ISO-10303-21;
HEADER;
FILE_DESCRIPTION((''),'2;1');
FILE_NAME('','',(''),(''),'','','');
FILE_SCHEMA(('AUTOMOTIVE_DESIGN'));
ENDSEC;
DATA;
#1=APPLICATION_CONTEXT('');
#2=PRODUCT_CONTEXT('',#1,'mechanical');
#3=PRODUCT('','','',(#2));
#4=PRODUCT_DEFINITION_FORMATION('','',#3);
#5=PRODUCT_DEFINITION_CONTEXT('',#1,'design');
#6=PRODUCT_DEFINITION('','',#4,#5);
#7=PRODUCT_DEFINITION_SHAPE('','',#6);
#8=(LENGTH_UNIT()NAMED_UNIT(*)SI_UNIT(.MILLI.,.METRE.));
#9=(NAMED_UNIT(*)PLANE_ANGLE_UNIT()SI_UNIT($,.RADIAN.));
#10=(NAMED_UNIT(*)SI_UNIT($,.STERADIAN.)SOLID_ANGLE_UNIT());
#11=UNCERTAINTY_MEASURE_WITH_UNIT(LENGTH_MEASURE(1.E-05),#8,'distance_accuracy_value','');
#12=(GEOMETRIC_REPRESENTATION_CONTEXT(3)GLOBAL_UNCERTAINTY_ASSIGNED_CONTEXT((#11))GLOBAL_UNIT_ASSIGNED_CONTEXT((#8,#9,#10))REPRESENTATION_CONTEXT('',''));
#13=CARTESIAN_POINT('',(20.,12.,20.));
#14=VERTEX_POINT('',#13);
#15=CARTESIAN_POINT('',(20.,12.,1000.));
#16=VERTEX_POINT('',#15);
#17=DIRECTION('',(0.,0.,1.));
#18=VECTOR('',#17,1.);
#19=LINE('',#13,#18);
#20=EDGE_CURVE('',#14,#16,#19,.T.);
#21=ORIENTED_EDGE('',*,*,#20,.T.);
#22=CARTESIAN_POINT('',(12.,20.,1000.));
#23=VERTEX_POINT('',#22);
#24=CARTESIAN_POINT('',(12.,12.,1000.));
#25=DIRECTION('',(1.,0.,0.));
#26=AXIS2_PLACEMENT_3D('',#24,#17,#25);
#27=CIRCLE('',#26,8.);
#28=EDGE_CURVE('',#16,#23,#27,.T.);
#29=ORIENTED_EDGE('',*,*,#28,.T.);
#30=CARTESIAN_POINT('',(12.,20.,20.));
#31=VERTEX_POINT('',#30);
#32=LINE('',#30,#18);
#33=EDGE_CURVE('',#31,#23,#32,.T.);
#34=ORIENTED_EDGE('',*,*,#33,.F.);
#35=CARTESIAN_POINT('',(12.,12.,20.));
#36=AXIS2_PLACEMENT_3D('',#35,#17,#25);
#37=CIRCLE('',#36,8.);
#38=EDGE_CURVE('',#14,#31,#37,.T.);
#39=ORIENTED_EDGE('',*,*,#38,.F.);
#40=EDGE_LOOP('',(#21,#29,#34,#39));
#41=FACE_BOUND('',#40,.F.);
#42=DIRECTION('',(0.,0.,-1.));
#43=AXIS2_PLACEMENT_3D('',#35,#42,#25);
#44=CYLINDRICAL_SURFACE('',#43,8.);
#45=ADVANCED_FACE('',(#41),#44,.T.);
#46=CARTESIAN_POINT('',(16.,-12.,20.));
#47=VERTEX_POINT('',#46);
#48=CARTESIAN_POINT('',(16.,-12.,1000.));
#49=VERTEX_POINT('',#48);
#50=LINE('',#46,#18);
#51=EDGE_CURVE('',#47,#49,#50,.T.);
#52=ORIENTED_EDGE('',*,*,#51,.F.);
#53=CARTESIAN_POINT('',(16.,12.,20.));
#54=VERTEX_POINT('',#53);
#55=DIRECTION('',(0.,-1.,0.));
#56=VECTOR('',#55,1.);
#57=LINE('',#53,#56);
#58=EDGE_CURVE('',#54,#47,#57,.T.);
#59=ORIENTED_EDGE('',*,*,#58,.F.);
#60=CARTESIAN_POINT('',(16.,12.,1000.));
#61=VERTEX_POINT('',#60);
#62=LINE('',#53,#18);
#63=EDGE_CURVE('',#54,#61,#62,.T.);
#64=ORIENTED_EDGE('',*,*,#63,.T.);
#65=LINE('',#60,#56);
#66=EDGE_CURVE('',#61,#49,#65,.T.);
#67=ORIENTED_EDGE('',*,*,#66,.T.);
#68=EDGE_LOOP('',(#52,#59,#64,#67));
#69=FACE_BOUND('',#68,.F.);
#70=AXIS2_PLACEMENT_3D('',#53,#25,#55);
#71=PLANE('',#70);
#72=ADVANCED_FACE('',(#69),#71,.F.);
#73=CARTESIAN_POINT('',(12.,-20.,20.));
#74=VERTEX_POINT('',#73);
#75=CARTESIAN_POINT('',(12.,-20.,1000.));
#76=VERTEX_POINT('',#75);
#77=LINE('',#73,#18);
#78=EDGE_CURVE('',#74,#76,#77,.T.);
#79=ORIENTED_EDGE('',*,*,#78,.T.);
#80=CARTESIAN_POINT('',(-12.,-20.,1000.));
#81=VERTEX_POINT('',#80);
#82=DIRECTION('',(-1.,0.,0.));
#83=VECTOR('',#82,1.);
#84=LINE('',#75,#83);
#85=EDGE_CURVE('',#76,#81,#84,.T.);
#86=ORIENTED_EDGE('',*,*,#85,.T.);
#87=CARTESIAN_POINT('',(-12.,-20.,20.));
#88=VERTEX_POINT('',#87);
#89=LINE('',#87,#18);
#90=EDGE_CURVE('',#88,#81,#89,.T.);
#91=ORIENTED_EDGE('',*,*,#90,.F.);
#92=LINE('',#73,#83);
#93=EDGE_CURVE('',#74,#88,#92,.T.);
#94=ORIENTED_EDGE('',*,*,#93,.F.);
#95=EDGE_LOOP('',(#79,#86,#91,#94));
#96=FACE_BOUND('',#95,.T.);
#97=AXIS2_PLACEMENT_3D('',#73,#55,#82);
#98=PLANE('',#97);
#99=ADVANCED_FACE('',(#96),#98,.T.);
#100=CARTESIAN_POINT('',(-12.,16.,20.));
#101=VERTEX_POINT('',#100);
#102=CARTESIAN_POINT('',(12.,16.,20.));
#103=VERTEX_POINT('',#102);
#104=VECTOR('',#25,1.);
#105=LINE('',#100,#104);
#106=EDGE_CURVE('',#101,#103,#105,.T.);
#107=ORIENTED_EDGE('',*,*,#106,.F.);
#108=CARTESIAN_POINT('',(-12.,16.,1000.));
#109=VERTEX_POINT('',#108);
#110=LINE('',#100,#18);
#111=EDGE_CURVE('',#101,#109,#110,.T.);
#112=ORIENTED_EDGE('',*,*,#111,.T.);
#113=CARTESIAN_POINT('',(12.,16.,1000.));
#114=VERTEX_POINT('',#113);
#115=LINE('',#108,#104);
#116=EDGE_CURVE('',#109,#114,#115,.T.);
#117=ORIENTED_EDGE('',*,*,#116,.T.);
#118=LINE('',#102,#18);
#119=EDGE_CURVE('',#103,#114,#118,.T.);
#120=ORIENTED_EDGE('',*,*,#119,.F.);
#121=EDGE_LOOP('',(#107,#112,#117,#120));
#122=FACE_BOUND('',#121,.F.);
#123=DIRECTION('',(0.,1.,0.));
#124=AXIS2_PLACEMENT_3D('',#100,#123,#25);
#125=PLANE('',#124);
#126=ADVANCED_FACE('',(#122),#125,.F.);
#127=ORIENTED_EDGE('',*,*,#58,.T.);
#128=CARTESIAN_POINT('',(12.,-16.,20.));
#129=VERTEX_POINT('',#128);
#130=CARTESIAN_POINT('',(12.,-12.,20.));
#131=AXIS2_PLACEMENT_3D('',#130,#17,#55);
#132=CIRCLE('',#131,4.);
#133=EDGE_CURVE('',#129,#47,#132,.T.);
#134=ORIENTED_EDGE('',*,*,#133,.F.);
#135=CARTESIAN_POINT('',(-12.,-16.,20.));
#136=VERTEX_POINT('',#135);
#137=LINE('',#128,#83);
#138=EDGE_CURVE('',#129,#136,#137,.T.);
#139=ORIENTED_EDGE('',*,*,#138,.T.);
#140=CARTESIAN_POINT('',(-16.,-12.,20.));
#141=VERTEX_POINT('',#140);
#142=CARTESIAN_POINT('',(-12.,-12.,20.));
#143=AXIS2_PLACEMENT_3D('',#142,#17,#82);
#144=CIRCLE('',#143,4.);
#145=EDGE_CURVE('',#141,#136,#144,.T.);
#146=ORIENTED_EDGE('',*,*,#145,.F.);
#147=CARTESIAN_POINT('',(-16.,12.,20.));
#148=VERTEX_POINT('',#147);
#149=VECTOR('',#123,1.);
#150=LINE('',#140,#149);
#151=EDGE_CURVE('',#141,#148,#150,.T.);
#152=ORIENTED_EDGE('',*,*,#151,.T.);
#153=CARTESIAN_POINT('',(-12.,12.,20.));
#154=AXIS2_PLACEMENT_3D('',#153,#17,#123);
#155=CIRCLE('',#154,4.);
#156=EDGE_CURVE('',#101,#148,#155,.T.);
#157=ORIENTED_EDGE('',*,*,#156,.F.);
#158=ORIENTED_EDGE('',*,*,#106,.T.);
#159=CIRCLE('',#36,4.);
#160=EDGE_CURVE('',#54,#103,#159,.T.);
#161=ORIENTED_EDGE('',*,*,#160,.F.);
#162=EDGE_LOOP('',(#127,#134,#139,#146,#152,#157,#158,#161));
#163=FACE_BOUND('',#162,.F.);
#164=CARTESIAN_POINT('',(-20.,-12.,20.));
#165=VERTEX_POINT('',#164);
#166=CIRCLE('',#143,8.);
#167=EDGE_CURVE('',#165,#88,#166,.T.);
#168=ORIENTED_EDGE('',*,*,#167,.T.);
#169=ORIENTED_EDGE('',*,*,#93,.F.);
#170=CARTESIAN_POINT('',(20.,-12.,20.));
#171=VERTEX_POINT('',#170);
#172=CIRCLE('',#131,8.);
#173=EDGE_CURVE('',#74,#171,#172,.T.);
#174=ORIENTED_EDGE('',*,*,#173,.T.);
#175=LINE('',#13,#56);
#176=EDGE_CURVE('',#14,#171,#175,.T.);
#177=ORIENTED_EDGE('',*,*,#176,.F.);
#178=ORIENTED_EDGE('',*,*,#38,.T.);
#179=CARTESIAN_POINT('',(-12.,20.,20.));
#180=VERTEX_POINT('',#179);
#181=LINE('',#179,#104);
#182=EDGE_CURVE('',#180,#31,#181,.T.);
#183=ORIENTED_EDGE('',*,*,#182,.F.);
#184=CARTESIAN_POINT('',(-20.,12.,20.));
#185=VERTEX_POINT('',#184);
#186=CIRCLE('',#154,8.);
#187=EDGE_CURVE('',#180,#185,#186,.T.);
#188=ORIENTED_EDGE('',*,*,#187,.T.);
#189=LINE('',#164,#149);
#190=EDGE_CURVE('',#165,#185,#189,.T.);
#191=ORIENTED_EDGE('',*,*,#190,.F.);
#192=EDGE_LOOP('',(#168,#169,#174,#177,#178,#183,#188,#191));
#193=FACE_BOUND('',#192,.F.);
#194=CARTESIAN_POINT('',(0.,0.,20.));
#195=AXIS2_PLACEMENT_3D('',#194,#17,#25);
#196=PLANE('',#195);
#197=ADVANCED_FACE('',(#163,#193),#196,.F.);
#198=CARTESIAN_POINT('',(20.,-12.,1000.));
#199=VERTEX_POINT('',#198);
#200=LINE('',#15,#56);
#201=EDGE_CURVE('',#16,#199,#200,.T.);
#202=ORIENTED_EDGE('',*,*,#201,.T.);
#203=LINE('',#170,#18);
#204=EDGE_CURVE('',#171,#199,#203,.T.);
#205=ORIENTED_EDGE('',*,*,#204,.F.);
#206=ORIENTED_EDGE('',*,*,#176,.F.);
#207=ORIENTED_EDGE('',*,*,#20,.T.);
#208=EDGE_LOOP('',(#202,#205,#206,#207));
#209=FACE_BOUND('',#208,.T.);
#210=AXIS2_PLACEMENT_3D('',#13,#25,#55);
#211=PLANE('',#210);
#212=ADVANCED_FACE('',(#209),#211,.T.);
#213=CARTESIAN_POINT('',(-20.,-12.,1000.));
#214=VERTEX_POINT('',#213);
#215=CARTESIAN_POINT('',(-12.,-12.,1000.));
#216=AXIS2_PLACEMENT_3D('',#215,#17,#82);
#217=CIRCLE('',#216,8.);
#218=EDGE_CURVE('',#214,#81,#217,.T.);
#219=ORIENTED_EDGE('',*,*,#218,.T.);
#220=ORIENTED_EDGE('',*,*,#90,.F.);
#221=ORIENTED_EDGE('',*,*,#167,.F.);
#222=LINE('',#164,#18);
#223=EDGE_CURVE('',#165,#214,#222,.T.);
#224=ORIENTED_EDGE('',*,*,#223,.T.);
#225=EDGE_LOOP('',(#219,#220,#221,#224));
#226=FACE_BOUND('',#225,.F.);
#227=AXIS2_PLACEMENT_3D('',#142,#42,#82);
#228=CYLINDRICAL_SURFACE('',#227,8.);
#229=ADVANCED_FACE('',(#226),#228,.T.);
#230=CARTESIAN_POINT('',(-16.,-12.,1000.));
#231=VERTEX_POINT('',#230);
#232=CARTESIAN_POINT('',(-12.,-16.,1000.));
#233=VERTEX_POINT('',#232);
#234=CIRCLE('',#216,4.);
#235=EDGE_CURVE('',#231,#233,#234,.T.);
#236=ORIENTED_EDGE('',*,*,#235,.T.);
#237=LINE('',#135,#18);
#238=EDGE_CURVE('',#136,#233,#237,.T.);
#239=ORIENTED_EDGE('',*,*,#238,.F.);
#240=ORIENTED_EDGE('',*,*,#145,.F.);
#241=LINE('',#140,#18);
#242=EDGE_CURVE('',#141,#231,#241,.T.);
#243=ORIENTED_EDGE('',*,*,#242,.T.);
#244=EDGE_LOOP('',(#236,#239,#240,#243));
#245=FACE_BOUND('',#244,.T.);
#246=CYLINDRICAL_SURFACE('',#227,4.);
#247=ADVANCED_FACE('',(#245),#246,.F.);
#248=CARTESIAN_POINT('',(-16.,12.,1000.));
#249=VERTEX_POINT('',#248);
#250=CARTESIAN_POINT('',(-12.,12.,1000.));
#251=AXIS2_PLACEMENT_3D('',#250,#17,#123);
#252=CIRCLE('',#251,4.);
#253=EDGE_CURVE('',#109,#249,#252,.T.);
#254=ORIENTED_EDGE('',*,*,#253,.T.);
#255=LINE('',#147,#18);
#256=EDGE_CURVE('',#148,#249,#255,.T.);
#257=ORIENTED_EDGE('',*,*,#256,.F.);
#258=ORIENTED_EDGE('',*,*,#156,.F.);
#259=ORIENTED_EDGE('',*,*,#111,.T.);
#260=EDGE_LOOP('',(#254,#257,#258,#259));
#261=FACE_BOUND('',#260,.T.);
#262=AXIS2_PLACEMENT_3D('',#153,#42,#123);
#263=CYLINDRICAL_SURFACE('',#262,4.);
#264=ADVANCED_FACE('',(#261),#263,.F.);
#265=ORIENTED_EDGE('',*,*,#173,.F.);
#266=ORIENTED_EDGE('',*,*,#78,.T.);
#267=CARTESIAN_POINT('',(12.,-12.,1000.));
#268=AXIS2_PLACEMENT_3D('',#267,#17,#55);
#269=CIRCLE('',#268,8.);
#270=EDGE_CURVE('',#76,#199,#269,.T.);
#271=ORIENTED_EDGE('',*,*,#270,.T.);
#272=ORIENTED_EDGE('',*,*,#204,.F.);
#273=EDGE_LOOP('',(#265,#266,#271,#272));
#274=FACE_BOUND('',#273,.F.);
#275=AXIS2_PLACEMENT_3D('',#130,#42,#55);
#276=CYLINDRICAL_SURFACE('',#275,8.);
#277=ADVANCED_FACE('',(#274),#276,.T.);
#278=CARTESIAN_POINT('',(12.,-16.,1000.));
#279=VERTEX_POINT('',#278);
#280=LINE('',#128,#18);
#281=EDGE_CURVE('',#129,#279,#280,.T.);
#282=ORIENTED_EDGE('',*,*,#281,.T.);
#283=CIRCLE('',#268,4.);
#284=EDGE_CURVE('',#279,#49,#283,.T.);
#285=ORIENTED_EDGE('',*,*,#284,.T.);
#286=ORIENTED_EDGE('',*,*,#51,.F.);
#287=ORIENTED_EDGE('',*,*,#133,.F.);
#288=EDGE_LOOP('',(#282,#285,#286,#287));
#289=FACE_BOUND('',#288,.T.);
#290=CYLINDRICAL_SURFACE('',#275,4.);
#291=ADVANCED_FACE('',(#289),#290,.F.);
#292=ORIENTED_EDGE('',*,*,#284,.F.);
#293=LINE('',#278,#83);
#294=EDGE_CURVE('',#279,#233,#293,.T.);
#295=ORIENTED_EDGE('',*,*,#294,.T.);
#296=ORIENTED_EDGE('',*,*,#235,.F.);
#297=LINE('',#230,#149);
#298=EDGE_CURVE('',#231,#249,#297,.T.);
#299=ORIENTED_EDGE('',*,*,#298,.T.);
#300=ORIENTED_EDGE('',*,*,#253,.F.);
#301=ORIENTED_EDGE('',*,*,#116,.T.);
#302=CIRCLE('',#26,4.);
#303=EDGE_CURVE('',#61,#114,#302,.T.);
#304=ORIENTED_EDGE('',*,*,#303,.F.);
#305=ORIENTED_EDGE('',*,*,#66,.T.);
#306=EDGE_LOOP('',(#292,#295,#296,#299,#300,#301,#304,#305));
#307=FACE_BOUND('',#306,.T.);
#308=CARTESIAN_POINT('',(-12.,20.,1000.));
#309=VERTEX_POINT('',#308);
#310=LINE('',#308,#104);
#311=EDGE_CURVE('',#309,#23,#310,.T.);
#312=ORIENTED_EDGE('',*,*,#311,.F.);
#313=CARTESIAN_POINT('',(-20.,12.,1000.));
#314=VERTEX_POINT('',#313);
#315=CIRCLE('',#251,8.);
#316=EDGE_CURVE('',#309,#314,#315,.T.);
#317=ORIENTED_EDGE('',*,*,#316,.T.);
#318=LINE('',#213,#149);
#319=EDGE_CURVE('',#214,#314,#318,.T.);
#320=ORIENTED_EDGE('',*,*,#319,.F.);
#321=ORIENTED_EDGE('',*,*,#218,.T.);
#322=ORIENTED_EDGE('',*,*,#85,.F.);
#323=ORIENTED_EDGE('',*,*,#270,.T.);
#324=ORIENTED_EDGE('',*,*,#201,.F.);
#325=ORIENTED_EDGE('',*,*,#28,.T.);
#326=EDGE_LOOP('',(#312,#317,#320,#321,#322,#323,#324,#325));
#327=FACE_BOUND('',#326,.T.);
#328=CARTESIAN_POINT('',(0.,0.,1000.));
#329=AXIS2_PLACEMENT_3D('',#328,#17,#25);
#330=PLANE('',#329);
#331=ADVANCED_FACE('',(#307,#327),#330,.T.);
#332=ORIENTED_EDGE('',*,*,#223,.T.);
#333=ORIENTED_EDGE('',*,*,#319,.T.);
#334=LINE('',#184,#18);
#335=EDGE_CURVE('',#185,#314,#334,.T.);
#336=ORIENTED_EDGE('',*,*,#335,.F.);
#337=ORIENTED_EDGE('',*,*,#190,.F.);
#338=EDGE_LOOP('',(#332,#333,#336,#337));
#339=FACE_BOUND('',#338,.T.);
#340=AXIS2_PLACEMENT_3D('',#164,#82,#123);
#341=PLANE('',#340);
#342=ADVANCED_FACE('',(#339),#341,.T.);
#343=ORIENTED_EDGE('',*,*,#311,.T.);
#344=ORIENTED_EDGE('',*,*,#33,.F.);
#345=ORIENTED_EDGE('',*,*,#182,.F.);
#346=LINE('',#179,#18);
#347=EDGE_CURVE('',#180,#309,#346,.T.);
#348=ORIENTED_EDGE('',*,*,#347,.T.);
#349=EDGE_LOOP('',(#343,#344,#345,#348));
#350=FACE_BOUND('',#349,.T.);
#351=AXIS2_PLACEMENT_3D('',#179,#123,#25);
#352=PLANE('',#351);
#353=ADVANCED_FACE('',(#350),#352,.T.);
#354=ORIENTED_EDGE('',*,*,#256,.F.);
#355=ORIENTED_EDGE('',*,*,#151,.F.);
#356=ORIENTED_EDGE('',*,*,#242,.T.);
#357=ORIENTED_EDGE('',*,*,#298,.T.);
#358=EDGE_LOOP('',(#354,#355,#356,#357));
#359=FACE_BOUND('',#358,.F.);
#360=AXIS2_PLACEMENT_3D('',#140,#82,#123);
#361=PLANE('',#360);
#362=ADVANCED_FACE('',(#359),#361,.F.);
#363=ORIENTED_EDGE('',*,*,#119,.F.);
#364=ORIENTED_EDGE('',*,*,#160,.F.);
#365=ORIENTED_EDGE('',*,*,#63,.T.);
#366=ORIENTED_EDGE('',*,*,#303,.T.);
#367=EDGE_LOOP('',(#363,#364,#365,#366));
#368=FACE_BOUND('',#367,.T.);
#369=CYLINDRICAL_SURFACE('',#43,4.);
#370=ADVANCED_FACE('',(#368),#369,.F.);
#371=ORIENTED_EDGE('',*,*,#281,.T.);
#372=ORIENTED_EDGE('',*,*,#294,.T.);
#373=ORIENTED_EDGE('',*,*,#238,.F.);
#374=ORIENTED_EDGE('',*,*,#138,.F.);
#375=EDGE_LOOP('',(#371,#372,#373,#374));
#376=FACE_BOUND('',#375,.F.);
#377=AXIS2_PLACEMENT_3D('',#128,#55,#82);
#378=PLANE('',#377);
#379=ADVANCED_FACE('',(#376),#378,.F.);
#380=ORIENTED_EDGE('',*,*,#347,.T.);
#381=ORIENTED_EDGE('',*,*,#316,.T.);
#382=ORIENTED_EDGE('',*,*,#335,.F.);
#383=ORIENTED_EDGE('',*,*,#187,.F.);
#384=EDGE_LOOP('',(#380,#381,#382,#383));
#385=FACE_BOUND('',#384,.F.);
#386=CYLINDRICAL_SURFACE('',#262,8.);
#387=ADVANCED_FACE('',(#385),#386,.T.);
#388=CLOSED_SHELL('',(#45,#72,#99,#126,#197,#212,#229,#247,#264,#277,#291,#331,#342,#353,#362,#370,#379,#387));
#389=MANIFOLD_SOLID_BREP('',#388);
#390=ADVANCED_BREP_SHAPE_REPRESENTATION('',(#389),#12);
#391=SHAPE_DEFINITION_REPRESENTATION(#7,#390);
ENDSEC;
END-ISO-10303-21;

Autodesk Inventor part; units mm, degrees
ref_plane "Start plane" through (0, 0, 20) normal (0, 0, 1) x (1, 0, 0)
ref_plane "End plane" through (0, 0, 1000) normal (0, 0, 1) x (1, 0, 0)
sketch "Sketch" plane through (0, 0, 0) normal (0, 0, 1) x (1, 0, 0)
  line L0 (-20, -12) -> (-20, 12)
  line L1 (-12, 20) -> (12, 20)
  line L2 (20, 12) -> (20, -12)
  line L3 (12, -20) -> (-12, -20)
  arc A0 (-20, -12) -> (-12, -20) centre (-12, -12) ccw
  arc A1 (-12, 20) -> (-20, 12) centre (-12, 12) ccw
  arc A2 (20, 12) -> (12, 20) centre (12, 12) ccw
  arc A3 (12, -20) -> (20, -12) centre (12, -12) ccw
  arc A4 (-12, 16) -> (-16, 12) centre (-12, 12) ccw
  line L4 (-12, 16) -> (12, 16)
  arc A5 (16, 12) -> (12, 16) centre (12, 12) ccw
  line L5 (16, 12) -> (16, -12)
  arc A6 (12, -16) -> (16, -12) centre (12, -12) ccw
  line L6 (12, -16) -> (-12, -16)
  arc A7 (-16, -12) -> (-12, -16) centre (-12, -12) ccw
  line L7 (-16, -12) -> (-16, 12)
  line L8 (0, 30.3196) -> (0, -30.3196) construction
  line L9 (-30.3196, 0) -> (30.3196, 0) construction
  dimension "d7" = 8
  dimension "d10" = 40
  dimension "d11" = 40
  dimension "d12" = 4
  dimension "d15" = 20
  dimension "d16" = 20
extrude "Body" add sketch "Sketch" along normal up to surface (980 mm away) from surface at 20
sketch "Sketch3" plane through (0, 0, 0) normal (0, 0, 1) x (1, 0, 0)
  line L0 (0, 0) -> (10, 0)
ref_plane "Work Plane3" through (0, 0, 0) normal (0, -1, 0) x (1, 0, 0)
sketch "Sketch4" plane through (0, 0, 0) normal (0, -1, 0) x (1, 0, 0)
  line L0 (-2, 20) -> (12, 20)
  line L1 (-2, 1000) -> (12, 1000)
  dimension "d18" = 980
ref_plane "Work Plane4" through (-300, -12, 20) normal (0, 0, -1) x (-1, 0, 0)
split "Split1" plane through (-300, -12, 20) removes the side toward (0, 0, -1)
equation "\"d7\" = G_IR"
equation "\"d10\" = G_H"
equation "\"d11\" = G_W"
equation "\"d12\" = G_T"
equation "\"d15\" = 0.5 * d10"
equation "\"d16\" = 0.5 * d11"
equation "\"d3\" = G_L"
equation "\"G_W\" = 40"
equation "\"G_H\" = 40"
equation "\"G_T\" = 4"
equation "\"G_IR\" = 8"
equation "\"G_L\" = d18"
equation "\"G_OFFSET_START\" = -20"
equation "\"G_OFFSET_END\" = 0"
equation "\"d13\" = -G_OFFSET_START"
properties part number "DIN EN 10219-2 - 40 x 40 x 4  - 980" material "Steel, Mild"
